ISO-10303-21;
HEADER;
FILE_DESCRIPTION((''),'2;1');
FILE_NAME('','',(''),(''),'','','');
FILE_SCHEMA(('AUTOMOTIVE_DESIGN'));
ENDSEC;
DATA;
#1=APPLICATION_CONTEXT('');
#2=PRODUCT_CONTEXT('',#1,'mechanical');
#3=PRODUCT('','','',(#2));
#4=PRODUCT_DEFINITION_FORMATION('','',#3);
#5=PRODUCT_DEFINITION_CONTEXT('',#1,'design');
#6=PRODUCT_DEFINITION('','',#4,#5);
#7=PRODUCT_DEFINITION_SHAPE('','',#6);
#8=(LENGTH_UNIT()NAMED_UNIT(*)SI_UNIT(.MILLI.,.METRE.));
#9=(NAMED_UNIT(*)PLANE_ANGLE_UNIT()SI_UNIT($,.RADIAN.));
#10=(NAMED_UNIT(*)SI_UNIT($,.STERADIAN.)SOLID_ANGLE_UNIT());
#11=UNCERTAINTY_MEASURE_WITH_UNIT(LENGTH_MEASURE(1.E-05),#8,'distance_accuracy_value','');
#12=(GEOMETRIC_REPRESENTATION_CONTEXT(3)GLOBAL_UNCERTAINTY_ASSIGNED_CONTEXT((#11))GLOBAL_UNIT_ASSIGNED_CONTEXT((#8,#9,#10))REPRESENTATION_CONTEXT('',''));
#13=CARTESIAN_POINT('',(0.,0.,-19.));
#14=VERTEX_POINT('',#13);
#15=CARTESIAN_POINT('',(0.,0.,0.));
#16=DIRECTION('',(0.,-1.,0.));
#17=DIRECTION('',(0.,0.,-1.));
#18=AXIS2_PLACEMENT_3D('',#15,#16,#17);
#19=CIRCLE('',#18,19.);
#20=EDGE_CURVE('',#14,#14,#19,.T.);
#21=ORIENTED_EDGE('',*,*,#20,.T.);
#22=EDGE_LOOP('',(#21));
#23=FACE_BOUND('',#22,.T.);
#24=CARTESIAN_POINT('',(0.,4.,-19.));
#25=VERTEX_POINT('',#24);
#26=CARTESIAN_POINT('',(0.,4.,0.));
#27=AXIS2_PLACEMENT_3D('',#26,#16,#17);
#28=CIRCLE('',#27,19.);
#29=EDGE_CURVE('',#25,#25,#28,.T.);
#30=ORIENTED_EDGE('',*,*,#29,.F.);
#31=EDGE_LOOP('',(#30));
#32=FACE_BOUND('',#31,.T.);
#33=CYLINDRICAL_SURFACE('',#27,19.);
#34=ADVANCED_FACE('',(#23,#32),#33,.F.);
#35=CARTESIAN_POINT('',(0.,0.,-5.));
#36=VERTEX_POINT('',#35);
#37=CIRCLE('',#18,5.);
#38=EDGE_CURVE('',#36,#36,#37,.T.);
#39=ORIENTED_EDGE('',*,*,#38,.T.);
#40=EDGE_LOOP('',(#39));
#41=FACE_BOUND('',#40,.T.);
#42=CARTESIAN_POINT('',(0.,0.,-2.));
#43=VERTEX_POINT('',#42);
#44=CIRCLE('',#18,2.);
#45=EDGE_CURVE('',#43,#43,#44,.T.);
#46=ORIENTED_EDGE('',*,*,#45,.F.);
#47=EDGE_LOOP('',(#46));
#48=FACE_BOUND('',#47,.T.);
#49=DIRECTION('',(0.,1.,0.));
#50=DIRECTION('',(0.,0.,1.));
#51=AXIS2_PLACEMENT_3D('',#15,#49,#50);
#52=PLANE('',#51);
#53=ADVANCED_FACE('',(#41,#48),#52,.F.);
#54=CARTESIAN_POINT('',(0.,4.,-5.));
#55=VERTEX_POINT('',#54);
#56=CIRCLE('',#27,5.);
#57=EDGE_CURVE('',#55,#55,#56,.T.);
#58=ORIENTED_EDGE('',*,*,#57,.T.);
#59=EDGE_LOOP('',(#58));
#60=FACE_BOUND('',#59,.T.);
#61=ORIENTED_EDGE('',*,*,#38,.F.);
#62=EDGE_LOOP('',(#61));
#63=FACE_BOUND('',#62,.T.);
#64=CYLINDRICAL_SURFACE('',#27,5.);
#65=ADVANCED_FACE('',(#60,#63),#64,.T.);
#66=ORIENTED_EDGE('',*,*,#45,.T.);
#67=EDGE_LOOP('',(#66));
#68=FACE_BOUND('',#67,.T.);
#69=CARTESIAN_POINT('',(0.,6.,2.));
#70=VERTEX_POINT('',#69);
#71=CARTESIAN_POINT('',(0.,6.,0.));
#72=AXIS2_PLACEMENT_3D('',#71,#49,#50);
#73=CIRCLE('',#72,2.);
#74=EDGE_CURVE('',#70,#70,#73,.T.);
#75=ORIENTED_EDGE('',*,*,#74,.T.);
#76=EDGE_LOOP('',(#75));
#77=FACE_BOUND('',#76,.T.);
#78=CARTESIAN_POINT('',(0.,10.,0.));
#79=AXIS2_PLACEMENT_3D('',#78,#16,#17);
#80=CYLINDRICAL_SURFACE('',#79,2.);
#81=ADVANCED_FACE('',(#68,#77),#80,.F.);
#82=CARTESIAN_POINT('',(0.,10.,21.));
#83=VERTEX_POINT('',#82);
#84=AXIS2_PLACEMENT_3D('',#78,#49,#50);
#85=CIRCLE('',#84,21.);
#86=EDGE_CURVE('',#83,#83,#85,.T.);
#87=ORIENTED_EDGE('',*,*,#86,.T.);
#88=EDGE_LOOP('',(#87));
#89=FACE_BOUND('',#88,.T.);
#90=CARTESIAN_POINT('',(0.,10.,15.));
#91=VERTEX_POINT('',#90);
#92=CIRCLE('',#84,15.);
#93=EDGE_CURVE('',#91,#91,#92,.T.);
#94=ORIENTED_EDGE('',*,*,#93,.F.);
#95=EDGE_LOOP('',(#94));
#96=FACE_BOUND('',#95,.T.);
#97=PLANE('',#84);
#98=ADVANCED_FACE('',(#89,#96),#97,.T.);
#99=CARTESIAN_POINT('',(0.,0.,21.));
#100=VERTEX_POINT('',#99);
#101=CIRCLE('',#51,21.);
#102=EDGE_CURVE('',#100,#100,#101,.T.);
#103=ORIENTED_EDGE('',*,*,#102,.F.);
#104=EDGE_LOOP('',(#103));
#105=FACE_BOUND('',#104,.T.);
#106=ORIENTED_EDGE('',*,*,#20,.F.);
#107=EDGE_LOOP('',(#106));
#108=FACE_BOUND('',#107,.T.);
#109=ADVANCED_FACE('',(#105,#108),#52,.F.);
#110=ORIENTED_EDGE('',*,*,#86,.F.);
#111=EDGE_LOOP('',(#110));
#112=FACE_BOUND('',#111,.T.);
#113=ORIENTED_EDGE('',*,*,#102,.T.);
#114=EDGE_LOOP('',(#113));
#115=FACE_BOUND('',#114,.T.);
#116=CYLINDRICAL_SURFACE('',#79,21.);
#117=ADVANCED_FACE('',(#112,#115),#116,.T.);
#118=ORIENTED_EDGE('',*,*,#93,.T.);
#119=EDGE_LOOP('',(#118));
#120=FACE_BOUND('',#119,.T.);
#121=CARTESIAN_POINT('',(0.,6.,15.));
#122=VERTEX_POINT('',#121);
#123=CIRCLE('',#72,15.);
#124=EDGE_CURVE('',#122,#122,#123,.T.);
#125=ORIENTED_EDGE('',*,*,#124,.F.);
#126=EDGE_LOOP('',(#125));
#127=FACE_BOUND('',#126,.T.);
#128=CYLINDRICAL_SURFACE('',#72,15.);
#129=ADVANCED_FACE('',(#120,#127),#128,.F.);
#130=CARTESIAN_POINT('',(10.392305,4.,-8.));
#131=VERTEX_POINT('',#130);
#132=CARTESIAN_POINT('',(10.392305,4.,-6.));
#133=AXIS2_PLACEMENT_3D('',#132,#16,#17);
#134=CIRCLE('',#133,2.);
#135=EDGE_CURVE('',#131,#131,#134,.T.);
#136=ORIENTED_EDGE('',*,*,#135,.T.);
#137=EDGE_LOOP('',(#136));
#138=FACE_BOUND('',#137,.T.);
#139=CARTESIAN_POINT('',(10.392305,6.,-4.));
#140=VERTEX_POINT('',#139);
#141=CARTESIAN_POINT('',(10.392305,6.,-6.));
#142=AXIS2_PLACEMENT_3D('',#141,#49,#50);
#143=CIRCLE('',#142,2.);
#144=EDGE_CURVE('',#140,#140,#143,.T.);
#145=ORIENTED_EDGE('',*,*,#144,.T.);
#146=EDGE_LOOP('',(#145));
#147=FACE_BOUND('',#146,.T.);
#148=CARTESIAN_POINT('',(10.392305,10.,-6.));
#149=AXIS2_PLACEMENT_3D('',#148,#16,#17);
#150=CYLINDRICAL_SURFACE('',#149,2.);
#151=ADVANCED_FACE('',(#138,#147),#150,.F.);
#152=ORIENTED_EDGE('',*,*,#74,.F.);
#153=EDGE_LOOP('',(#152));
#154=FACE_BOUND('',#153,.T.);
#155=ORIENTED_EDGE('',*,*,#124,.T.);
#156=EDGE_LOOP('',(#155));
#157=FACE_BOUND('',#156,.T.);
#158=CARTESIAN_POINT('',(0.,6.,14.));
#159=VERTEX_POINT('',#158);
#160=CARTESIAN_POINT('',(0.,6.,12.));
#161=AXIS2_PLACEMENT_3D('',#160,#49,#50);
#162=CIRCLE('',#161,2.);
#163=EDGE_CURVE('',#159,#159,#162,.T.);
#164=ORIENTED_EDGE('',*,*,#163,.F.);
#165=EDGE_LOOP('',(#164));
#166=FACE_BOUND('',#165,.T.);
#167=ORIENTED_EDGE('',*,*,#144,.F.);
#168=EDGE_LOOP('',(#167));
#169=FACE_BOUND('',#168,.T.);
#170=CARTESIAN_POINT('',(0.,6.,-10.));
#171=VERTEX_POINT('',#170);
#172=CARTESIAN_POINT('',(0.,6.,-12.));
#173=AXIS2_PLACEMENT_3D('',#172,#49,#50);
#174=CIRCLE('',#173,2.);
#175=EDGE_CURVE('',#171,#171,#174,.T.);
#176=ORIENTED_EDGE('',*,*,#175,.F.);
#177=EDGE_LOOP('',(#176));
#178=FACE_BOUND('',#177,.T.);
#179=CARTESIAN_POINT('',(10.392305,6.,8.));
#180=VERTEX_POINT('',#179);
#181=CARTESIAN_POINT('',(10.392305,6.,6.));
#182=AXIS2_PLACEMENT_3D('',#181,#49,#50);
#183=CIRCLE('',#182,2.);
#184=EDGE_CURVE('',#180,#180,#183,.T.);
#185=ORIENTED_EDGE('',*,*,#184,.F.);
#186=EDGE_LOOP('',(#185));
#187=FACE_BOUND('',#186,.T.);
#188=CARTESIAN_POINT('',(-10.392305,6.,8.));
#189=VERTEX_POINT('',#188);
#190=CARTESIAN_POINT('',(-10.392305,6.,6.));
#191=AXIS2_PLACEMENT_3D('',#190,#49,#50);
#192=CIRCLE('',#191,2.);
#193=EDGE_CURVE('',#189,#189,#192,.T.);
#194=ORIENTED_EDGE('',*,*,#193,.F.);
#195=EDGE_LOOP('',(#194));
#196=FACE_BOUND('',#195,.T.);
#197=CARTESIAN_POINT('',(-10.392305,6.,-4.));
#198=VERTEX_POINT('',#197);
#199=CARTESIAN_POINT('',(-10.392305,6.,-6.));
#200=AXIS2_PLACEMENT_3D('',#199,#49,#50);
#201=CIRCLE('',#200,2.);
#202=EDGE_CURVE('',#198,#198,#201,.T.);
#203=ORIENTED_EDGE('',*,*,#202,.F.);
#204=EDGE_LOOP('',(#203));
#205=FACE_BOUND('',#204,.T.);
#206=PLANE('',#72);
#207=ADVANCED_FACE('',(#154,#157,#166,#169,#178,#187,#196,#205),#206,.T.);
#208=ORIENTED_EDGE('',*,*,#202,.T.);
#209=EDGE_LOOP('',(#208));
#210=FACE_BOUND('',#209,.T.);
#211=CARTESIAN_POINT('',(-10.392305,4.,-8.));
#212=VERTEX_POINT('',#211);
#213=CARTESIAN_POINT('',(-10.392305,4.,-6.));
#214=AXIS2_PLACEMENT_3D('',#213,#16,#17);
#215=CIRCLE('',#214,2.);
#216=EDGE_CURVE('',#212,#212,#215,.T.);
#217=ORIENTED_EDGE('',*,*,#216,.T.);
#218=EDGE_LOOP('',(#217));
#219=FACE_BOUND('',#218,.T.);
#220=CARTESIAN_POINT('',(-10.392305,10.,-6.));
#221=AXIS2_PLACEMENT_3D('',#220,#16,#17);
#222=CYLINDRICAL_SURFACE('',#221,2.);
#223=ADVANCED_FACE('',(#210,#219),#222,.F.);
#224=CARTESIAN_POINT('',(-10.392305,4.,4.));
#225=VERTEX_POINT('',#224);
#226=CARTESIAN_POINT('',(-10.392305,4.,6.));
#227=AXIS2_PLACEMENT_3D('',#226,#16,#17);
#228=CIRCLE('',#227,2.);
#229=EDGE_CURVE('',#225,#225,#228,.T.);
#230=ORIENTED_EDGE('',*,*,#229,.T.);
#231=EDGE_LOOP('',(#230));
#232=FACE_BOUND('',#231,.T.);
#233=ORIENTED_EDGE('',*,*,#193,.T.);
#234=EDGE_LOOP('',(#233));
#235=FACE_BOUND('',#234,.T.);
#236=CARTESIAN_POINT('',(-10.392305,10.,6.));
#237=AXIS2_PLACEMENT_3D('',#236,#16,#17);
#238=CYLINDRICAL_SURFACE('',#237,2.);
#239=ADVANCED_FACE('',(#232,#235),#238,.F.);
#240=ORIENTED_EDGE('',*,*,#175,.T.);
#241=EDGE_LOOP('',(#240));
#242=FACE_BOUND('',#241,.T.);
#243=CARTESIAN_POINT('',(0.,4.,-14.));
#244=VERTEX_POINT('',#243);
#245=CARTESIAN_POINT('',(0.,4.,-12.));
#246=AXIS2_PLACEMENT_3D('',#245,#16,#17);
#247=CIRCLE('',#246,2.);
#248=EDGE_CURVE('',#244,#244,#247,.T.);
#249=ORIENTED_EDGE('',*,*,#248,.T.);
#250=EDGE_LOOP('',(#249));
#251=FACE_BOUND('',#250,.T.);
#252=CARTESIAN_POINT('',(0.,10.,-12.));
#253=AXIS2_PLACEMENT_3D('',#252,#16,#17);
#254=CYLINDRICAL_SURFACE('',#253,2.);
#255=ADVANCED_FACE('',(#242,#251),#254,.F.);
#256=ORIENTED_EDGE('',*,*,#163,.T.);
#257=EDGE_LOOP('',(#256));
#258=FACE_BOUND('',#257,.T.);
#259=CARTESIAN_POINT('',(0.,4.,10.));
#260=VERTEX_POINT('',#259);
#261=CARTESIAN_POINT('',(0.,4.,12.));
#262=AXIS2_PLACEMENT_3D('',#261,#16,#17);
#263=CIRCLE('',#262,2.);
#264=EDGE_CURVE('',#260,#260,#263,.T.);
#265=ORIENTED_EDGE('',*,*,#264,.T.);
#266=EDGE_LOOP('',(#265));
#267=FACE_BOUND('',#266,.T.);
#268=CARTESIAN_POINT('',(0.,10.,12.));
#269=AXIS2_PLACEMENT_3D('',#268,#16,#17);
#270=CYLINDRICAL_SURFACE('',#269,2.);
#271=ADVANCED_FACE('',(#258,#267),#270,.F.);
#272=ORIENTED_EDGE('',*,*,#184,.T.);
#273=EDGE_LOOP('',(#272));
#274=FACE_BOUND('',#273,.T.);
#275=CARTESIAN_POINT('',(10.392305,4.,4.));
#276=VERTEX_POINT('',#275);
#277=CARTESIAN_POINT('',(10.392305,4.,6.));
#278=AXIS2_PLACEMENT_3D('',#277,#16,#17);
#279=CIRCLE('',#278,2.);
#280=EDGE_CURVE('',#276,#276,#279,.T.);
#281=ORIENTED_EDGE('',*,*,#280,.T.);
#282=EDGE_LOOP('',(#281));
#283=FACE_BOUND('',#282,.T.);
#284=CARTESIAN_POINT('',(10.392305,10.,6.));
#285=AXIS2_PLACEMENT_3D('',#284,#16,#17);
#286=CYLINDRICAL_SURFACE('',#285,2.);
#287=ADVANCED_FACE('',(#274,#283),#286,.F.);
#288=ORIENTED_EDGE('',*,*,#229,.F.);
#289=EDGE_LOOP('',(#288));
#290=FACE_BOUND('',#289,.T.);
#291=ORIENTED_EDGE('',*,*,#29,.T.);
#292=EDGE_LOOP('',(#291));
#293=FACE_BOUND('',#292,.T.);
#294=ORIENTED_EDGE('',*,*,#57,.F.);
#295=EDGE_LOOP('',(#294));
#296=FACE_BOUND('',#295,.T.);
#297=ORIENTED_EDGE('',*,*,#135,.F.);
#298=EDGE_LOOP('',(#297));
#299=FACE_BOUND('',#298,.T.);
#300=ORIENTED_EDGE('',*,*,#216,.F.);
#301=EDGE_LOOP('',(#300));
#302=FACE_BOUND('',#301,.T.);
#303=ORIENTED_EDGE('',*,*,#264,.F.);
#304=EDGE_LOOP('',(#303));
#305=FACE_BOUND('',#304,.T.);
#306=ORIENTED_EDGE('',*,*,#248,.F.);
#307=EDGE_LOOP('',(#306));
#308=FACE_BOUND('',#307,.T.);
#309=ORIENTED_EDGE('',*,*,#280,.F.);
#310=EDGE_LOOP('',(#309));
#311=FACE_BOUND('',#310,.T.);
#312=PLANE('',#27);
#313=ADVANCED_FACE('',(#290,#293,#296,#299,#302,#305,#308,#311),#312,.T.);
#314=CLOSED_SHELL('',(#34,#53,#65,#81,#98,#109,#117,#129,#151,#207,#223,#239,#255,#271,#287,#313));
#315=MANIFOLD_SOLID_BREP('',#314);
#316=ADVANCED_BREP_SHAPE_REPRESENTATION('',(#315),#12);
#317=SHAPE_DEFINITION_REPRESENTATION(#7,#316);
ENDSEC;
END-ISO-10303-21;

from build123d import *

# Parameters (mm, degrees)
SKETCH1_R           = 21
BOSS_EXTRUDE1_DEPTH = 10
SKETCH2_R           = 15
CUT_EXTRUDE1_DEPTH  = 4
SKETCH3_R           = 19
SKETCH3_R_2         = 5
CUT_EXTRUDE2_DEPTH  = 4
SKETCH4_R           = 2
CUT_EXTRUDE3_DEPTH  = 32.336879232
SKETCH5_R           = 2
CUT_EXTRUDE4_DEPTH  = 31.298514815


with BuildPart() as part:
    # Sketch1 → Boss-Extrude1 (new body)
    with BuildSketch(Plane(origin=(0, 0, 0), x_dir=(1, 0, 0), z_dir=(0, 1, 0))):
        with Locations(Location((0, 0, 0), (0, 0, 270))):
            Circle(SKETCH1_R)
    extrude(amount=BOSS_EXTRUDE1_DEPTH)

    # Sketch2 → Cut-Extrude1 (cut)
    with BuildSketch(Plane(origin=(0, 10, 0), x_dir=(1, 0, 0), z_dir=(0, 1, 0))):
        with Locations(Location((0, 0, 0), (0, 0, 270))):
            Circle(SKETCH2_R)
    extrude(amount=-CUT_EXTRUDE1_DEPTH, mode=Mode.SUBTRACT)

    # Sketch3 → Cut-Extrude2 (cut)
    with BuildSketch(Plane.XZ):
        with Locations(Location((0, 0, 0), (0, 0, 270))):
            Circle(SKETCH3_R)
        with Locations(Location((0, 0, 0), (0, 0, 270))):
            Circle(SKETCH3_R_2, mode=Mode.SUBTRACT)
    extrude(amount=-CUT_EXTRUDE2_DEPTH, mode=Mode.SUBTRACT)

    # Sketch4 → Cut-Extrude3 (cut, through all)
    with BuildSketch(Plane.XZ):
        with Locations(Location((0, 0, 0), (0, 0, 270))):
            Circle(SKETCH4_R)
    extrude(amount=-CUT_EXTRUDE3_DEPTH, mode=Mode.SUBTRACT)

    # Sketch5 → Cut-Extrude4 (cut, through all)
    with BuildSketch(Plane.XZ.offset(-4)):
        with Locations(Location((0, 12, 0), (0, 0, 270))):
            Circle(SKETCH5_R)
        with Locations(Location((10.392304845, 6, 0), (0, 0, 270))):
            Circle(SKETCH5_R)
        with Locations(Location((10.392304845, -6, 0), (0, 0, 270))):
            Circle(SKETCH5_R)
        with Locations(Location((0, -12, 0), (0, 0, 270))):
            Circle(SKETCH5_R)
        with Locations(Location((-10.392304845, -6, 0), (0, 0, 270))):
            Circle(SKETCH5_R)
        with Locations(Location((-10.392304845, 6, 0), (0, 0, 270))):
            Circle(SKETCH5_R)
    extrude(amount=-CUT_EXTRUDE4_DEPTH, mode=Mode.SUBTRACT)


solid = part.part
